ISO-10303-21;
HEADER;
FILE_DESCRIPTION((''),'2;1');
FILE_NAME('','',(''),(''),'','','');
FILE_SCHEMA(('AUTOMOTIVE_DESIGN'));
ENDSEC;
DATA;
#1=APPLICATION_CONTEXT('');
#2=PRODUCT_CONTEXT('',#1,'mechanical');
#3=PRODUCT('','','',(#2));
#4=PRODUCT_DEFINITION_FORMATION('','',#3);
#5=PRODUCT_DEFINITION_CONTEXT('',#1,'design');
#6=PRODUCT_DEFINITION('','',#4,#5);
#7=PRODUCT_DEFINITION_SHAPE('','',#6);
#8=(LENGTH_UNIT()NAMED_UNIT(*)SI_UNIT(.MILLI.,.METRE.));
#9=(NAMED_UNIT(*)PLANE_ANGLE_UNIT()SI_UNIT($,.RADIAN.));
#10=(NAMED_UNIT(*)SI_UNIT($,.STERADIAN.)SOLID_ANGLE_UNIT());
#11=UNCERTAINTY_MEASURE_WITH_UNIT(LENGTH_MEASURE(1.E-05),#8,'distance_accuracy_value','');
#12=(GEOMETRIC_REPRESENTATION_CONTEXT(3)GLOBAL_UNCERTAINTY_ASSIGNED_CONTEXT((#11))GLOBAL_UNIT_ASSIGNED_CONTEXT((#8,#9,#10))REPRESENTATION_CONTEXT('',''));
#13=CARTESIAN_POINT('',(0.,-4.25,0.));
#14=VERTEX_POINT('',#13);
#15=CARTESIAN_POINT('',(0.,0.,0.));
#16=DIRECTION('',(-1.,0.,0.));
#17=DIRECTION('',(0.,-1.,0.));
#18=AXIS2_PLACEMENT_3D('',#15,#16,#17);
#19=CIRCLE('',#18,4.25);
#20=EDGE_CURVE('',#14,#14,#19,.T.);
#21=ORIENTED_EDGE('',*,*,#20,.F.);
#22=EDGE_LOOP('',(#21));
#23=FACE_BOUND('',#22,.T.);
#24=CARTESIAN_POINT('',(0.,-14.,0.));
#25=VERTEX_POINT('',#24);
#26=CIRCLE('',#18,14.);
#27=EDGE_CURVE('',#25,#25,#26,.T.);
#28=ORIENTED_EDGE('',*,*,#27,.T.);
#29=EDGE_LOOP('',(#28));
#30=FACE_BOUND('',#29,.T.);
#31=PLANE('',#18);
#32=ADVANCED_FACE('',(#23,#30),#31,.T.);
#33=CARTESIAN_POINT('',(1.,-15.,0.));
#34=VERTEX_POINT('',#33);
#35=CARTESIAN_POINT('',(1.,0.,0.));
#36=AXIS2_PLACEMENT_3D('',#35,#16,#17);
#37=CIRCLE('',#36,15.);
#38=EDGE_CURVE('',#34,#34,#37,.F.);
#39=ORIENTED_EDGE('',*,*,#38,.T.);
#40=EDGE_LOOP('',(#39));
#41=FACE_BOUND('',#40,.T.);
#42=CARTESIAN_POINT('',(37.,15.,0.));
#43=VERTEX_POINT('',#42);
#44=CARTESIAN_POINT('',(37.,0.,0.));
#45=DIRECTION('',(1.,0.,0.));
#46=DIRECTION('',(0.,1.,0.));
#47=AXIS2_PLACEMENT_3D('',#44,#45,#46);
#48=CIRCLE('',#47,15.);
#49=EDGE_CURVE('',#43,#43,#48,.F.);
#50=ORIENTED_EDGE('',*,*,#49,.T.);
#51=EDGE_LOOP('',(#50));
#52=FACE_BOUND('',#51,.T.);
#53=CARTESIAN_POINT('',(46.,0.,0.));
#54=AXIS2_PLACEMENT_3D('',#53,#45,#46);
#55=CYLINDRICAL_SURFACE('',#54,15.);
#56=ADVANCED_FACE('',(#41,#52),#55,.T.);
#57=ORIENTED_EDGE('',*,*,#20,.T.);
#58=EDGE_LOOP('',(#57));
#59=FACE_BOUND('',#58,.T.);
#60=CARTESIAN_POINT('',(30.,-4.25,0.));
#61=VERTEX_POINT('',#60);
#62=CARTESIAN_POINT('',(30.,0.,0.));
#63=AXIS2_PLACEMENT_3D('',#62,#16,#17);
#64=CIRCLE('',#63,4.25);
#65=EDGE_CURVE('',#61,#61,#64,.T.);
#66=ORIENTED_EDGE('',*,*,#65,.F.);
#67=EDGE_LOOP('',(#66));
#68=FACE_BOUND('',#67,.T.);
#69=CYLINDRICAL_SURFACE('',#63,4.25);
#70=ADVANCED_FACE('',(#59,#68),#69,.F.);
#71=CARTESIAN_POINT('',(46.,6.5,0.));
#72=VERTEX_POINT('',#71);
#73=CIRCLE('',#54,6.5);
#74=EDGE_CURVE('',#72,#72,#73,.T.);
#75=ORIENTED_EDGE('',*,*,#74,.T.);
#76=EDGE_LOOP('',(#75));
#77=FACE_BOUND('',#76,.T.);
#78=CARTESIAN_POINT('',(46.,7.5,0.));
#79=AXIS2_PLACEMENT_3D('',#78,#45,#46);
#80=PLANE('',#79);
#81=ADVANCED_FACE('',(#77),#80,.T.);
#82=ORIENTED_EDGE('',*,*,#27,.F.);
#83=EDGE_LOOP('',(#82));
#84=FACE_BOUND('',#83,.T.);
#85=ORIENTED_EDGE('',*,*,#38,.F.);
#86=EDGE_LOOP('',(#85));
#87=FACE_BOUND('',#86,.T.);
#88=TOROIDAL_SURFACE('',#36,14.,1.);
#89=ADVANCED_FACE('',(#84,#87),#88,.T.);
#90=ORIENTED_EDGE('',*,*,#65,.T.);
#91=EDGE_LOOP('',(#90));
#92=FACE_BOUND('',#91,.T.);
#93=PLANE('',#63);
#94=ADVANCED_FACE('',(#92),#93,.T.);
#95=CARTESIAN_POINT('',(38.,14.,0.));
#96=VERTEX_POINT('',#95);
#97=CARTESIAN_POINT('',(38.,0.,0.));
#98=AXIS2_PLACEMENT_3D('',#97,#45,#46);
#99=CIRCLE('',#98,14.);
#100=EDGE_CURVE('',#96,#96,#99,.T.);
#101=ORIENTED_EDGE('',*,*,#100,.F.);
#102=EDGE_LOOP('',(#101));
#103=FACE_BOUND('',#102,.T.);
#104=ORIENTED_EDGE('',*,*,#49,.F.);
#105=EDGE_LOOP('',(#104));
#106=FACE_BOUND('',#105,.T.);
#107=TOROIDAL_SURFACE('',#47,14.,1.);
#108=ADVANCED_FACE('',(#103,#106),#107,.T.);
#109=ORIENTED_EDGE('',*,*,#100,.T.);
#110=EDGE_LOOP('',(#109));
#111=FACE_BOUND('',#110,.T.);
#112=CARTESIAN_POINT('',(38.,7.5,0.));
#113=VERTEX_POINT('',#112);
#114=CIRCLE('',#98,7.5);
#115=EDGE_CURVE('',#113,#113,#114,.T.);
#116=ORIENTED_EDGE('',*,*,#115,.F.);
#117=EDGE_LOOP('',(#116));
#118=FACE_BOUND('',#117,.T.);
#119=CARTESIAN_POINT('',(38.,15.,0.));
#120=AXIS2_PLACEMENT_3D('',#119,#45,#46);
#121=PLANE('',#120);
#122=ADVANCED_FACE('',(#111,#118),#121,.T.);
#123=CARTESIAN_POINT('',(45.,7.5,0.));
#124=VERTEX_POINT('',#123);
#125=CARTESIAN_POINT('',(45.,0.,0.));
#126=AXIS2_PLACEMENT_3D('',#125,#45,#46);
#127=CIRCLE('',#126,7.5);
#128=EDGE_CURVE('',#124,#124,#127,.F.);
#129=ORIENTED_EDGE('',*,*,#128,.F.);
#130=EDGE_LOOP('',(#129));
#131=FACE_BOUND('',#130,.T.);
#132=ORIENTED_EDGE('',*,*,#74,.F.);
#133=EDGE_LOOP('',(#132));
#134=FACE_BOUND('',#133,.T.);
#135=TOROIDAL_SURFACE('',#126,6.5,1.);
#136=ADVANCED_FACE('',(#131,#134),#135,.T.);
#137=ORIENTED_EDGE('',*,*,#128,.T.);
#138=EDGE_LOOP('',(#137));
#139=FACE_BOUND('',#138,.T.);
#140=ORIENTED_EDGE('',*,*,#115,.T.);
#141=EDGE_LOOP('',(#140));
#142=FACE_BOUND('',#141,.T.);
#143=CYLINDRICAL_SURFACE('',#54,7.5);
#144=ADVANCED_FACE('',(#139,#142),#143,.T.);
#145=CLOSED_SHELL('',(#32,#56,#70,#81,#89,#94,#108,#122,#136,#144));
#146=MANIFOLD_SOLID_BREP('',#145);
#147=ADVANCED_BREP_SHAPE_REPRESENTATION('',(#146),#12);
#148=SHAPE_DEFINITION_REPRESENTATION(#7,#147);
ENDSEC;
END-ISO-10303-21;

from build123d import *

# Parameters (mm, degrees)
IZIM2_R               = 4.25
KES_EKSTR_ZYON1_DEPTH = 30
RADYUS1_R             = 1


with BuildPart() as part:
    # Çizim1 → Döndür1 (revolve)
    with BuildSketch(Plane.XY):
        Polygon((0, 0), (0, 15), (38, 15), (38, 7.5), (46, 7.5), (46, 0), align=None)
    revolve(axis=Axis((46, 0, 0), (-1, 0, 0)))

    # Çizim2 → Kes-Ekstrüzyon1 (cut)
    with BuildSketch(Plane.ZY):
        with Locations(Location((0, 0, 0), (0, 0, 270))):
            Circle(IZIM2_R)
    extrude(amount=-KES_EKSTR_ZYON1_DEPTH, mode=Mode.SUBTRACT)

    # Radyus1
    radyus1_edges = [part.edges().sort_by_distance(p)[0] for p in [
        (46, -7.5, 0),
        (38, -15, 0),
        (0, -15, 0),
    ]]
    fillet(radyus1_edges, radius=RADYUS1_R)


solid = part.part
